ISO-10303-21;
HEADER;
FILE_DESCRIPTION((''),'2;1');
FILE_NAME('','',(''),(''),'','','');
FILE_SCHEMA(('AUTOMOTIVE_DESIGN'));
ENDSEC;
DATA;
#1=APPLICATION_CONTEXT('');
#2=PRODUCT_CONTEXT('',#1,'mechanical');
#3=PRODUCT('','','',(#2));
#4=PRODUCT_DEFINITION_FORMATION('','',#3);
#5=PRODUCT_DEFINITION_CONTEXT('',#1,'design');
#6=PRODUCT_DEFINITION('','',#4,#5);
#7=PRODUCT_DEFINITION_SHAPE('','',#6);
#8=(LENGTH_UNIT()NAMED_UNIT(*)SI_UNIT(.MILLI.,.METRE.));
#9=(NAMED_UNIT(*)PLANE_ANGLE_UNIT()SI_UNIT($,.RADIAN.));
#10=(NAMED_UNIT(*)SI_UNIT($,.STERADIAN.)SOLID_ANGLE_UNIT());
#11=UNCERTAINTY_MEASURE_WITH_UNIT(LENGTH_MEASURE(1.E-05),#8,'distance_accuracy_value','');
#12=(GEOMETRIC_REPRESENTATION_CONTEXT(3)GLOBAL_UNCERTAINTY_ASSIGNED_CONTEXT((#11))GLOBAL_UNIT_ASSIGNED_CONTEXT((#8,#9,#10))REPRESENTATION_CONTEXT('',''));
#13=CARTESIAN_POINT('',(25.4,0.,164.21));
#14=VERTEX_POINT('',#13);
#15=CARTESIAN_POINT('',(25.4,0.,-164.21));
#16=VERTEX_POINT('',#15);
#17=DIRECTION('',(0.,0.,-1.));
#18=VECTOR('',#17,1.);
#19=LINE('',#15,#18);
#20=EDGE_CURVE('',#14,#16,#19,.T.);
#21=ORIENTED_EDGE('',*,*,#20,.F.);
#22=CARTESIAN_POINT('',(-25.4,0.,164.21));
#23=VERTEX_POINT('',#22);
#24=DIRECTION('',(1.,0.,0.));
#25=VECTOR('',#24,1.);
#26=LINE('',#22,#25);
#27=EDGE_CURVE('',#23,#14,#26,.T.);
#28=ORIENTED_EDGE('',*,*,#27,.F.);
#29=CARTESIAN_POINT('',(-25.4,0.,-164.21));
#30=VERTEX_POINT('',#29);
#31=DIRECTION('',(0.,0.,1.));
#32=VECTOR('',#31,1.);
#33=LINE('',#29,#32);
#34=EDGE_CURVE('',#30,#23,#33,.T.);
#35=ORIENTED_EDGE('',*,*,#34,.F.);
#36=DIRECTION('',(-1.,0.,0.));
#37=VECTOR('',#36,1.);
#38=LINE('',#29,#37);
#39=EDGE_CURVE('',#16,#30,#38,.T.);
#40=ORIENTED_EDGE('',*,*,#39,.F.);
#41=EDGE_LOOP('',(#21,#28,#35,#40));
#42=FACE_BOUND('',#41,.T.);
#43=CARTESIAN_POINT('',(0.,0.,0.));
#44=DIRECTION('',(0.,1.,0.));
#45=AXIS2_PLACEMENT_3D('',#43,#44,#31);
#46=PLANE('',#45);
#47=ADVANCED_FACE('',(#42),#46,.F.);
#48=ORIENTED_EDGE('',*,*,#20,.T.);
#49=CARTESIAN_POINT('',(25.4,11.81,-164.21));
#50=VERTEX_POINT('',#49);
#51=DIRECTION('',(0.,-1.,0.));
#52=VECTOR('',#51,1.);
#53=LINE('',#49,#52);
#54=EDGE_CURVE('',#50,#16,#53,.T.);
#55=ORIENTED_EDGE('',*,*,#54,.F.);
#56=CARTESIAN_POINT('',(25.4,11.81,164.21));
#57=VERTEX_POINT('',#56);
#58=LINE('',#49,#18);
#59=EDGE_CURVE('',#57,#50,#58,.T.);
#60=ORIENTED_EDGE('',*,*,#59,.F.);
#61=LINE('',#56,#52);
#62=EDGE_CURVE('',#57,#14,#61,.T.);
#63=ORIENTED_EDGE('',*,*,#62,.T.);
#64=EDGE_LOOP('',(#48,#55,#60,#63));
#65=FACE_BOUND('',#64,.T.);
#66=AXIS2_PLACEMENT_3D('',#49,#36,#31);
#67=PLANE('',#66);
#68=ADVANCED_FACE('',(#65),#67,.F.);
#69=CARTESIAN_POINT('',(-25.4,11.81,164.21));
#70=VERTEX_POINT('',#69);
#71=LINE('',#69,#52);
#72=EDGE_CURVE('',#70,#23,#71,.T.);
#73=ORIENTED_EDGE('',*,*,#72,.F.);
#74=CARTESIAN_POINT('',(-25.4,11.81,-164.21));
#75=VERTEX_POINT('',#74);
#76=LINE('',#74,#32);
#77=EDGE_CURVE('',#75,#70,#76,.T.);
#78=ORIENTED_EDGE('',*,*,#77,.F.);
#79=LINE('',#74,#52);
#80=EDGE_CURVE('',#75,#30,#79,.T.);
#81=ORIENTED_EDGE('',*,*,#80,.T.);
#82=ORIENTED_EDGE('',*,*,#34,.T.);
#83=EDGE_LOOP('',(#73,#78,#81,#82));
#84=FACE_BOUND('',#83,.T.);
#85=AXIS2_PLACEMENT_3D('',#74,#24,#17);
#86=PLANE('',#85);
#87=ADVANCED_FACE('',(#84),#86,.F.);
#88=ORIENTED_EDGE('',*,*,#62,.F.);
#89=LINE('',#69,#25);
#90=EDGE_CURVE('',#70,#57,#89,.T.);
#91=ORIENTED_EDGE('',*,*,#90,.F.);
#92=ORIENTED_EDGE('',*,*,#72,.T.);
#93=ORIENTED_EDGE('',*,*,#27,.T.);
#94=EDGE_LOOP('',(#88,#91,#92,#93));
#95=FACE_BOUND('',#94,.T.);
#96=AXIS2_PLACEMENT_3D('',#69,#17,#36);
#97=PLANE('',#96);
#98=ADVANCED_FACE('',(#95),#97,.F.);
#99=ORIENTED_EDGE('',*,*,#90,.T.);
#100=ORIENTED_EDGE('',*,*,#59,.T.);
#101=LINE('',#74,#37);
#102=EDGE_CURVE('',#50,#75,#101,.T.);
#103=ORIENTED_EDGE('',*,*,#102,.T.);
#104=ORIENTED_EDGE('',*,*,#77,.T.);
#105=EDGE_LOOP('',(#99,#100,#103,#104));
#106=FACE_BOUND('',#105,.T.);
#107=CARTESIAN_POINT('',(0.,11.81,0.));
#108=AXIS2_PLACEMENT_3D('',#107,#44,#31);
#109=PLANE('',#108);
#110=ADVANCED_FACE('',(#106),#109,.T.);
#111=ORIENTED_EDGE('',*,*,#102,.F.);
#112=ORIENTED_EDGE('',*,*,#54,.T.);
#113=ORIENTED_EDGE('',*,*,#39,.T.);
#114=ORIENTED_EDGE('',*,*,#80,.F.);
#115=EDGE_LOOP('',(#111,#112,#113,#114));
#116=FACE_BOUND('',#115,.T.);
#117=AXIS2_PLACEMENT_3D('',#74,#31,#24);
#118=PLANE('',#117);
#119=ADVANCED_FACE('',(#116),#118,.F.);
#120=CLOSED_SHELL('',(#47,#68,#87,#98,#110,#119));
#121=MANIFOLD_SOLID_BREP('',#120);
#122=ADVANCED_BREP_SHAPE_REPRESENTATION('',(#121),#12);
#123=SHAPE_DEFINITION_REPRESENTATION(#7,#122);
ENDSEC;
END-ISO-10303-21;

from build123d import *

# Parameters (mm, degrees)
BASE_SKETCH_W       = 50.8
BASE_SKETCH_H       = 328.42
BOSS_EXTRUDE1_DEPTH = 11.81


with BuildPart() as part:
    # Base_Sketch → Boss-Extrude1 (new body)
    with BuildSketch(Plane(origin=(0, 0, 0), x_dir=(1, 0, 0), z_dir=(0, 1, 0))):
        Rectangle(BASE_SKETCH_W, BASE_SKETCH_H)
    extrude(amount=BOSS_EXTRUDE1_DEPTH)


solid = part.part
